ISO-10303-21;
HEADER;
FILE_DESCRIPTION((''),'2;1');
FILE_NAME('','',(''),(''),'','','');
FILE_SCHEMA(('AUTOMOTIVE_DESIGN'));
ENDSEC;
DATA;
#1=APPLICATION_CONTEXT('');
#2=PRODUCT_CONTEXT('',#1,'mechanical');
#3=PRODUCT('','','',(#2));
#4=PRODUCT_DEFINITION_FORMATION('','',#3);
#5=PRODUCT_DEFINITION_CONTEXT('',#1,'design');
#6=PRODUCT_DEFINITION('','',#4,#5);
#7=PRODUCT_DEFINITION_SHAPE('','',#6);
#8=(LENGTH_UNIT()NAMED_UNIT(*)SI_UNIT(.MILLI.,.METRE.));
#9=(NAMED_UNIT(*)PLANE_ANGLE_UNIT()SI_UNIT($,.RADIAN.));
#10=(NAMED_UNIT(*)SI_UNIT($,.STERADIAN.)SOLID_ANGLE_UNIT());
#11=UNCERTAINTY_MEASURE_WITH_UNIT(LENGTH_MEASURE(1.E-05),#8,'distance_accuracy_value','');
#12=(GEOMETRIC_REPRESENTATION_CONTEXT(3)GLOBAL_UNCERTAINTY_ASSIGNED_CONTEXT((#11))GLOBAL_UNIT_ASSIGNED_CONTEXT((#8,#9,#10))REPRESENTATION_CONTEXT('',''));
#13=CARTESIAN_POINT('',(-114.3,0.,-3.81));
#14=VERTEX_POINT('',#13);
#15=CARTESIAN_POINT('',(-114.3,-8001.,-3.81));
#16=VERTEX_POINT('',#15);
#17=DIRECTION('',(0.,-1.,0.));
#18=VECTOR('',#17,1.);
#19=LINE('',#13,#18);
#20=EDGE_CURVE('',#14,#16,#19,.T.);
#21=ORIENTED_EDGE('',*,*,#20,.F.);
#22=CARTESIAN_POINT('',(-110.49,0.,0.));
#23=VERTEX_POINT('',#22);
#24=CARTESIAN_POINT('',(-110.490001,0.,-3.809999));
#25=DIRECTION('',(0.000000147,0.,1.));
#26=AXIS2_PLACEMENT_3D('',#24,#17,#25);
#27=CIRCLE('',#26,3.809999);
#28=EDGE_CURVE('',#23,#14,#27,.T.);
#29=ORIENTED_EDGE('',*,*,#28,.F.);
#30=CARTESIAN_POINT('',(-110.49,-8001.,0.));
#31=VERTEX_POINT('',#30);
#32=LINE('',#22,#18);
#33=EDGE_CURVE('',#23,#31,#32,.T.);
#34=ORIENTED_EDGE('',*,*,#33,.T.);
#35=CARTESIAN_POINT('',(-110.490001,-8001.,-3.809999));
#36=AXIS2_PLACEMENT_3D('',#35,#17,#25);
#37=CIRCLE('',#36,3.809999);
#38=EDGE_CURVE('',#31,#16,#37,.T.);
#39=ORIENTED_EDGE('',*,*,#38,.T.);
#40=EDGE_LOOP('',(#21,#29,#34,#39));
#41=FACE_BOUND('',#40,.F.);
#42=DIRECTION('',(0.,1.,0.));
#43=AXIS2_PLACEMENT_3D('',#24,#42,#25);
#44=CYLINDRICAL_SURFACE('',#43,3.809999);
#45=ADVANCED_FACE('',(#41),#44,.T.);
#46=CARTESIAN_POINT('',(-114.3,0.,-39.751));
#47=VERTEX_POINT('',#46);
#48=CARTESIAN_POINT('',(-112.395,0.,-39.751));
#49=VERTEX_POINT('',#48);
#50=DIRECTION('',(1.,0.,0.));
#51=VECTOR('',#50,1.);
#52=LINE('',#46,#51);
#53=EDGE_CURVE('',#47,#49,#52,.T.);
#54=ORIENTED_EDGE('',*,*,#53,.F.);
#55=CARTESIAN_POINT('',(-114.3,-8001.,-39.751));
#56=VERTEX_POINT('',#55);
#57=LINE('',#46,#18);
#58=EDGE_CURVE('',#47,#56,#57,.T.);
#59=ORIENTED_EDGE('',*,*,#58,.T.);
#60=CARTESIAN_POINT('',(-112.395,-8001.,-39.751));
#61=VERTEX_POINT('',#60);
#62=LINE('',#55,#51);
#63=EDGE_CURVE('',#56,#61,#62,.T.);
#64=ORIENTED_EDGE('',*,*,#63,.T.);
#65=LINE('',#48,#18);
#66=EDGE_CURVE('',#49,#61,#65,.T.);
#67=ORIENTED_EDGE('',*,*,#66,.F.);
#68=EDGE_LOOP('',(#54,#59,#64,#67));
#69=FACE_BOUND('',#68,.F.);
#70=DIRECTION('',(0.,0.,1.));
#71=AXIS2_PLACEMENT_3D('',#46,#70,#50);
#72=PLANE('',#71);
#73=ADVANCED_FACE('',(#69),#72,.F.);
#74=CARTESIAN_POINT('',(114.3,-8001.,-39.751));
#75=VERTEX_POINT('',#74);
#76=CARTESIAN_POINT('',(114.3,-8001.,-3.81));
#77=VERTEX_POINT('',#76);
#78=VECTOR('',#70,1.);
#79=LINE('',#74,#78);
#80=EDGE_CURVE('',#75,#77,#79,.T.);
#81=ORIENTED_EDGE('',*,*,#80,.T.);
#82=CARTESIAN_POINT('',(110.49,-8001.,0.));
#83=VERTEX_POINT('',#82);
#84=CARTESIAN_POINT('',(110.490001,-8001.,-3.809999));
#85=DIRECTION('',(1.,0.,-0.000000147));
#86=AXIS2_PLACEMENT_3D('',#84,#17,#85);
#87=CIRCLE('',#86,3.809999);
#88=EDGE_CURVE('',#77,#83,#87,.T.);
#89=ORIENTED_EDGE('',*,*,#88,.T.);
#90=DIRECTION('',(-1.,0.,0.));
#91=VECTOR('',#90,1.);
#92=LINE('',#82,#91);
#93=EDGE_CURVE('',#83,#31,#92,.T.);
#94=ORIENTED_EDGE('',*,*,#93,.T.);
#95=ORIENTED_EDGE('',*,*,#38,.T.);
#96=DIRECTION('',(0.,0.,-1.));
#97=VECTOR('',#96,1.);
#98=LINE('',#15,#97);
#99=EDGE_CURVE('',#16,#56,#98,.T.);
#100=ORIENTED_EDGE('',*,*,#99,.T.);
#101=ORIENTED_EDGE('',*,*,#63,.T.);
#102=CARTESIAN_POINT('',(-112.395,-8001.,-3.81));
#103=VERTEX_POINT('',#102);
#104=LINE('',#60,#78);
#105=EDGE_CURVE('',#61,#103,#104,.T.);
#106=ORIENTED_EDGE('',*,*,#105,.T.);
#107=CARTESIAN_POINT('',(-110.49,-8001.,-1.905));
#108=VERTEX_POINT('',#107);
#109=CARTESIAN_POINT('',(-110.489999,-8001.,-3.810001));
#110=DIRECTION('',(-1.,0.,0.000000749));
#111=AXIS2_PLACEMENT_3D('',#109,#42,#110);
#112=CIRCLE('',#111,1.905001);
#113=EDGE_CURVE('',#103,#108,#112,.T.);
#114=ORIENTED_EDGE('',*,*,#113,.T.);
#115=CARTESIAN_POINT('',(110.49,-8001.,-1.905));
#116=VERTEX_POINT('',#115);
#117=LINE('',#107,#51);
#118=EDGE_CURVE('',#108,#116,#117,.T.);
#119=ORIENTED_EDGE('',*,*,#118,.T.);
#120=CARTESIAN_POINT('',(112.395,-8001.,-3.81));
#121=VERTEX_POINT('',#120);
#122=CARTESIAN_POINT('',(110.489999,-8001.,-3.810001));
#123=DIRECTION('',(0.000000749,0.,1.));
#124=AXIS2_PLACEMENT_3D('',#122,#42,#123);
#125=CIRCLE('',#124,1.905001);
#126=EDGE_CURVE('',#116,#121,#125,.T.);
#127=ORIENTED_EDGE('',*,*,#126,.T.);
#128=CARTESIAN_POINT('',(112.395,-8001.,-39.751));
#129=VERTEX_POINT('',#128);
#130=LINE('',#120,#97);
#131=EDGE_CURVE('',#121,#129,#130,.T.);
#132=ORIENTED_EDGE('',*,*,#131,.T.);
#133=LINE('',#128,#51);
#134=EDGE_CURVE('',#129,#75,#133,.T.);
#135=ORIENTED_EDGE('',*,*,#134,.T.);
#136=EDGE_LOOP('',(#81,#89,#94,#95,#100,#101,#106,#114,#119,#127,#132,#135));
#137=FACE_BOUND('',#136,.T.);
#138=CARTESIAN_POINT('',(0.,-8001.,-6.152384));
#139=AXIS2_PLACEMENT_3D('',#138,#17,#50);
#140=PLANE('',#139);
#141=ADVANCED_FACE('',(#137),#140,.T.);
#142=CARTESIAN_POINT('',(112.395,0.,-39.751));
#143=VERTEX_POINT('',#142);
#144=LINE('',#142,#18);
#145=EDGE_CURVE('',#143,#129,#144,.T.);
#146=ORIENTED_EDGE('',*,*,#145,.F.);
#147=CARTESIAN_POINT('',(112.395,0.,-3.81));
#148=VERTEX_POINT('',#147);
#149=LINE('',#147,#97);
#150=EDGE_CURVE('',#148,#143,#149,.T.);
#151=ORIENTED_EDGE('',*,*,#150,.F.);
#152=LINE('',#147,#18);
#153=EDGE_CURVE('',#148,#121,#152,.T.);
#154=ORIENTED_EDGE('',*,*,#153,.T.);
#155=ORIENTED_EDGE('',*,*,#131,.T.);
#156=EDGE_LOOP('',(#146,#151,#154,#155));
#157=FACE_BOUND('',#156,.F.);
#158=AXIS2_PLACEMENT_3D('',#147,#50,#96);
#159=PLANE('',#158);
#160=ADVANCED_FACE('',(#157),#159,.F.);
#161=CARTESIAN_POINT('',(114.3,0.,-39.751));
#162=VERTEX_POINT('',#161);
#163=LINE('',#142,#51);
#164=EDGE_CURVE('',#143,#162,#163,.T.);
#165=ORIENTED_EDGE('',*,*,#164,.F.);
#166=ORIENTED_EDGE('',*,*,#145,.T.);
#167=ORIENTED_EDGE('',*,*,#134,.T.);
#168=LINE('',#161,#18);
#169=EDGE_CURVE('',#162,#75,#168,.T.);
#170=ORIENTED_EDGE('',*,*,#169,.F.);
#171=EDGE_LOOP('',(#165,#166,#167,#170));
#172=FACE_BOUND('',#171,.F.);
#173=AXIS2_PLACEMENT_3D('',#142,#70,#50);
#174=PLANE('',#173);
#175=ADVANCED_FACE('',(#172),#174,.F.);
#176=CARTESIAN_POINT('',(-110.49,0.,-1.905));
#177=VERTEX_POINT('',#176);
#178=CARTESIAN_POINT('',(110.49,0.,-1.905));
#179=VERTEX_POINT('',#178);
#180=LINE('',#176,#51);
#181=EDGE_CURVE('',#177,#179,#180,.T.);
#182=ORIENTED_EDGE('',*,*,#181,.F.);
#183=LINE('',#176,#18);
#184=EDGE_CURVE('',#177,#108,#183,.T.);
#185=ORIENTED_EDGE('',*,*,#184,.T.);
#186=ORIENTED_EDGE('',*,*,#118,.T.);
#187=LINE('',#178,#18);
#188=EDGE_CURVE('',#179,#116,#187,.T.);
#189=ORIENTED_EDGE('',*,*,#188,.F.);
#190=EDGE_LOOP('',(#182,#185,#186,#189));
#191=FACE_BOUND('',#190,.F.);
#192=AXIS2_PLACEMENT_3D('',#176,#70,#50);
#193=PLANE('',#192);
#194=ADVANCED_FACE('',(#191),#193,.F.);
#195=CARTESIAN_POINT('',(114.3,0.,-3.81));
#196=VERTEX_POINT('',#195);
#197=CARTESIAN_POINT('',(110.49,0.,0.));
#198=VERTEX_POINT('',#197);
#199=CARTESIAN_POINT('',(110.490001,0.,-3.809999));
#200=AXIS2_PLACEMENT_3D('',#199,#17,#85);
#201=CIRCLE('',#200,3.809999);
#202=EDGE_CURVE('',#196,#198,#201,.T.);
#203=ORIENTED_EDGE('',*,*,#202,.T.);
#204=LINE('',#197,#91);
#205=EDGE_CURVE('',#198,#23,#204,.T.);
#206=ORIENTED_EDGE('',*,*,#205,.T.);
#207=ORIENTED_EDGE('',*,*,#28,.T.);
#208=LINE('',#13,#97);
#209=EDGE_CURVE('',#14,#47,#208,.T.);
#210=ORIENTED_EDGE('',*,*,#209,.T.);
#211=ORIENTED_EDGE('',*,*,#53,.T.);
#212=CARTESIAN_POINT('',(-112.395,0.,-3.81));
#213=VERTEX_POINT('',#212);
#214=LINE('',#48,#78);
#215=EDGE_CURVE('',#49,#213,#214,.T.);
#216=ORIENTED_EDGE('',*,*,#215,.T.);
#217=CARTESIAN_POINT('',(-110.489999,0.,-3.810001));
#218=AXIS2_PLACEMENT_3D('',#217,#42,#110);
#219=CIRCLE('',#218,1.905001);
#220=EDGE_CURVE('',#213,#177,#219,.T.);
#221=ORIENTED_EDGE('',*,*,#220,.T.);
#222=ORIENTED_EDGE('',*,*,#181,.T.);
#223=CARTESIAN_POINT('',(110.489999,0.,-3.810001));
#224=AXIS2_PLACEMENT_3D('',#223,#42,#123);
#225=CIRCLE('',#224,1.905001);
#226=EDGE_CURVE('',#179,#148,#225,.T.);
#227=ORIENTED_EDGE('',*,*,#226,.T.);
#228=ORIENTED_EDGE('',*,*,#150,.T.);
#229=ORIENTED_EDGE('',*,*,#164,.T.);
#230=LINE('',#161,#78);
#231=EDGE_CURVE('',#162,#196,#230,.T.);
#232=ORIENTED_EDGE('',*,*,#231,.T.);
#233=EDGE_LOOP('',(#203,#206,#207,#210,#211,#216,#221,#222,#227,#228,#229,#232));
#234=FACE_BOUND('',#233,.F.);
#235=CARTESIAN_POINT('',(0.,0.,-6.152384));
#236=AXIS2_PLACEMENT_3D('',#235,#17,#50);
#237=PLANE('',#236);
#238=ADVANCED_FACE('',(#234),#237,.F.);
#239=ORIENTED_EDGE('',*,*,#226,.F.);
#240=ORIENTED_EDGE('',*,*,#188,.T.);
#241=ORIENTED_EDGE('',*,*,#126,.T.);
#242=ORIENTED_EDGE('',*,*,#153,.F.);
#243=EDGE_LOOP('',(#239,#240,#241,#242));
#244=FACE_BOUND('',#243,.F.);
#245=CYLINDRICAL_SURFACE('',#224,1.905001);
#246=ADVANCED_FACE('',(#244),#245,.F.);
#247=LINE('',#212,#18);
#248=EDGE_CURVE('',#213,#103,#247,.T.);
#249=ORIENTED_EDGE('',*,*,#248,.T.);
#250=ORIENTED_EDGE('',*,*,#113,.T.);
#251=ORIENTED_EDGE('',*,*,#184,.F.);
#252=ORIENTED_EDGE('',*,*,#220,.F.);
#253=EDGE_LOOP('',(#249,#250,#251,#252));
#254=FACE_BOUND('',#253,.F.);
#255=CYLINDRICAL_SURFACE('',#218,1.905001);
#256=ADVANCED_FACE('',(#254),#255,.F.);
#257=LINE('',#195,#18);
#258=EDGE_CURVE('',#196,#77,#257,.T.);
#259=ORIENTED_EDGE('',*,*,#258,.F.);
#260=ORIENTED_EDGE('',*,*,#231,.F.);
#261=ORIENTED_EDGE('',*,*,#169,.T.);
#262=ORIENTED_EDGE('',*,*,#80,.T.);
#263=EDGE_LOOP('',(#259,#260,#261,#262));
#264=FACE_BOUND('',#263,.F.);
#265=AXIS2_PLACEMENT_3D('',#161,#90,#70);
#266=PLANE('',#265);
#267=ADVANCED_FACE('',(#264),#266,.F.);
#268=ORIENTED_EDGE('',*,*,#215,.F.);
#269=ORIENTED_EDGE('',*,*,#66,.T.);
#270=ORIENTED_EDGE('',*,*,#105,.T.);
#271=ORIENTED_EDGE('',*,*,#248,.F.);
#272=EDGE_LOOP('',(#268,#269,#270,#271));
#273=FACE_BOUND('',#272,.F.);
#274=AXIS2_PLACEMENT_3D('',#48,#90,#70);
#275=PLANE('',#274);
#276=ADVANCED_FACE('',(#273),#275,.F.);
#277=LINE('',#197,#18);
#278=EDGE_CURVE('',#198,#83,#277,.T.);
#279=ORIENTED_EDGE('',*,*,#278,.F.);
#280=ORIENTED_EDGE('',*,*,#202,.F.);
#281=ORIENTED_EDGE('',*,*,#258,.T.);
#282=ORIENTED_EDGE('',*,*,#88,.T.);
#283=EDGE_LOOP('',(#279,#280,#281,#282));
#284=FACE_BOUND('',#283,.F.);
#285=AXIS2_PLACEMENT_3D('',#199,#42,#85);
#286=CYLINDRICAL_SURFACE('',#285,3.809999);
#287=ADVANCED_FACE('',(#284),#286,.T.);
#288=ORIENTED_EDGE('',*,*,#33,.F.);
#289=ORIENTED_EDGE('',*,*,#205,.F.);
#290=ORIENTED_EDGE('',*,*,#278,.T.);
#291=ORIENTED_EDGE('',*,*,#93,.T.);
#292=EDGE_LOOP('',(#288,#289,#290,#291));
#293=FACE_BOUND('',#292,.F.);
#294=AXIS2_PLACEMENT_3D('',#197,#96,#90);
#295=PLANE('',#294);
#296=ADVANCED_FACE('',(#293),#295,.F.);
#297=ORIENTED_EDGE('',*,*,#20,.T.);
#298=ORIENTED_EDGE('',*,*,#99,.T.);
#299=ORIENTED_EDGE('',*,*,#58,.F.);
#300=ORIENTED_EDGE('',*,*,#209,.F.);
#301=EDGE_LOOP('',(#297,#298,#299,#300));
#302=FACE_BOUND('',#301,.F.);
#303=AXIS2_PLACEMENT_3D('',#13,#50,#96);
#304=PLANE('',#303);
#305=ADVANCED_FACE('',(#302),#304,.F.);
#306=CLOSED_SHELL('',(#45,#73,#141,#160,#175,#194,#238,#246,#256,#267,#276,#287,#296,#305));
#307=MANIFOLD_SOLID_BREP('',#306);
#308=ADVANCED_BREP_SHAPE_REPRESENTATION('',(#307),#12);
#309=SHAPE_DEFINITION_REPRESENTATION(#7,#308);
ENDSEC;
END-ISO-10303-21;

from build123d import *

# Parameters (mm, degrees)
F1_DEPTH = 8001


with BuildPart() as f1:
    # F0 (on Front) → F1 (new body)
    with BuildSketch(Plane.XZ):
        with BuildLine():
            Line((110.49, 0), (0, 0))
            Line((0, 0), (-110.49, 0))
            ThreePointArc((-110.49, 0), (-113.184077, -1.115923), (-114.3, -3.81))
            Line((-114.3, -3.81), (-114.3, -39.751))
            Line((-114.3, -39.751), (-112.395, -39.751))
            Line((-112.395, -39.751), (-112.395, -3.81))
            ThreePointArc((-112.395, -3.81), (-111.837038, -2.462962), (-110.49, -1.905))
            Line((-110.49, -1.905), (0, -1.905))
            Line((0, -1.905), (110.49, -1.905))
            ThreePointArc((110.49, -1.905), (111.837038, -2.462962), (112.395, -3.81))
            Line((112.395, -3.81), (112.395, -39.751))
            Line((112.395, -39.751), (114.3, -39.751))
            Line((114.3, -39.751), (114.3, -3.81))
            ThreePointArc((114.3, -3.81), (113.184077, -1.115923), (110.49, 0))
        make_face()
    extrude(amount=F1_DEPTH)


solid = f1.part
